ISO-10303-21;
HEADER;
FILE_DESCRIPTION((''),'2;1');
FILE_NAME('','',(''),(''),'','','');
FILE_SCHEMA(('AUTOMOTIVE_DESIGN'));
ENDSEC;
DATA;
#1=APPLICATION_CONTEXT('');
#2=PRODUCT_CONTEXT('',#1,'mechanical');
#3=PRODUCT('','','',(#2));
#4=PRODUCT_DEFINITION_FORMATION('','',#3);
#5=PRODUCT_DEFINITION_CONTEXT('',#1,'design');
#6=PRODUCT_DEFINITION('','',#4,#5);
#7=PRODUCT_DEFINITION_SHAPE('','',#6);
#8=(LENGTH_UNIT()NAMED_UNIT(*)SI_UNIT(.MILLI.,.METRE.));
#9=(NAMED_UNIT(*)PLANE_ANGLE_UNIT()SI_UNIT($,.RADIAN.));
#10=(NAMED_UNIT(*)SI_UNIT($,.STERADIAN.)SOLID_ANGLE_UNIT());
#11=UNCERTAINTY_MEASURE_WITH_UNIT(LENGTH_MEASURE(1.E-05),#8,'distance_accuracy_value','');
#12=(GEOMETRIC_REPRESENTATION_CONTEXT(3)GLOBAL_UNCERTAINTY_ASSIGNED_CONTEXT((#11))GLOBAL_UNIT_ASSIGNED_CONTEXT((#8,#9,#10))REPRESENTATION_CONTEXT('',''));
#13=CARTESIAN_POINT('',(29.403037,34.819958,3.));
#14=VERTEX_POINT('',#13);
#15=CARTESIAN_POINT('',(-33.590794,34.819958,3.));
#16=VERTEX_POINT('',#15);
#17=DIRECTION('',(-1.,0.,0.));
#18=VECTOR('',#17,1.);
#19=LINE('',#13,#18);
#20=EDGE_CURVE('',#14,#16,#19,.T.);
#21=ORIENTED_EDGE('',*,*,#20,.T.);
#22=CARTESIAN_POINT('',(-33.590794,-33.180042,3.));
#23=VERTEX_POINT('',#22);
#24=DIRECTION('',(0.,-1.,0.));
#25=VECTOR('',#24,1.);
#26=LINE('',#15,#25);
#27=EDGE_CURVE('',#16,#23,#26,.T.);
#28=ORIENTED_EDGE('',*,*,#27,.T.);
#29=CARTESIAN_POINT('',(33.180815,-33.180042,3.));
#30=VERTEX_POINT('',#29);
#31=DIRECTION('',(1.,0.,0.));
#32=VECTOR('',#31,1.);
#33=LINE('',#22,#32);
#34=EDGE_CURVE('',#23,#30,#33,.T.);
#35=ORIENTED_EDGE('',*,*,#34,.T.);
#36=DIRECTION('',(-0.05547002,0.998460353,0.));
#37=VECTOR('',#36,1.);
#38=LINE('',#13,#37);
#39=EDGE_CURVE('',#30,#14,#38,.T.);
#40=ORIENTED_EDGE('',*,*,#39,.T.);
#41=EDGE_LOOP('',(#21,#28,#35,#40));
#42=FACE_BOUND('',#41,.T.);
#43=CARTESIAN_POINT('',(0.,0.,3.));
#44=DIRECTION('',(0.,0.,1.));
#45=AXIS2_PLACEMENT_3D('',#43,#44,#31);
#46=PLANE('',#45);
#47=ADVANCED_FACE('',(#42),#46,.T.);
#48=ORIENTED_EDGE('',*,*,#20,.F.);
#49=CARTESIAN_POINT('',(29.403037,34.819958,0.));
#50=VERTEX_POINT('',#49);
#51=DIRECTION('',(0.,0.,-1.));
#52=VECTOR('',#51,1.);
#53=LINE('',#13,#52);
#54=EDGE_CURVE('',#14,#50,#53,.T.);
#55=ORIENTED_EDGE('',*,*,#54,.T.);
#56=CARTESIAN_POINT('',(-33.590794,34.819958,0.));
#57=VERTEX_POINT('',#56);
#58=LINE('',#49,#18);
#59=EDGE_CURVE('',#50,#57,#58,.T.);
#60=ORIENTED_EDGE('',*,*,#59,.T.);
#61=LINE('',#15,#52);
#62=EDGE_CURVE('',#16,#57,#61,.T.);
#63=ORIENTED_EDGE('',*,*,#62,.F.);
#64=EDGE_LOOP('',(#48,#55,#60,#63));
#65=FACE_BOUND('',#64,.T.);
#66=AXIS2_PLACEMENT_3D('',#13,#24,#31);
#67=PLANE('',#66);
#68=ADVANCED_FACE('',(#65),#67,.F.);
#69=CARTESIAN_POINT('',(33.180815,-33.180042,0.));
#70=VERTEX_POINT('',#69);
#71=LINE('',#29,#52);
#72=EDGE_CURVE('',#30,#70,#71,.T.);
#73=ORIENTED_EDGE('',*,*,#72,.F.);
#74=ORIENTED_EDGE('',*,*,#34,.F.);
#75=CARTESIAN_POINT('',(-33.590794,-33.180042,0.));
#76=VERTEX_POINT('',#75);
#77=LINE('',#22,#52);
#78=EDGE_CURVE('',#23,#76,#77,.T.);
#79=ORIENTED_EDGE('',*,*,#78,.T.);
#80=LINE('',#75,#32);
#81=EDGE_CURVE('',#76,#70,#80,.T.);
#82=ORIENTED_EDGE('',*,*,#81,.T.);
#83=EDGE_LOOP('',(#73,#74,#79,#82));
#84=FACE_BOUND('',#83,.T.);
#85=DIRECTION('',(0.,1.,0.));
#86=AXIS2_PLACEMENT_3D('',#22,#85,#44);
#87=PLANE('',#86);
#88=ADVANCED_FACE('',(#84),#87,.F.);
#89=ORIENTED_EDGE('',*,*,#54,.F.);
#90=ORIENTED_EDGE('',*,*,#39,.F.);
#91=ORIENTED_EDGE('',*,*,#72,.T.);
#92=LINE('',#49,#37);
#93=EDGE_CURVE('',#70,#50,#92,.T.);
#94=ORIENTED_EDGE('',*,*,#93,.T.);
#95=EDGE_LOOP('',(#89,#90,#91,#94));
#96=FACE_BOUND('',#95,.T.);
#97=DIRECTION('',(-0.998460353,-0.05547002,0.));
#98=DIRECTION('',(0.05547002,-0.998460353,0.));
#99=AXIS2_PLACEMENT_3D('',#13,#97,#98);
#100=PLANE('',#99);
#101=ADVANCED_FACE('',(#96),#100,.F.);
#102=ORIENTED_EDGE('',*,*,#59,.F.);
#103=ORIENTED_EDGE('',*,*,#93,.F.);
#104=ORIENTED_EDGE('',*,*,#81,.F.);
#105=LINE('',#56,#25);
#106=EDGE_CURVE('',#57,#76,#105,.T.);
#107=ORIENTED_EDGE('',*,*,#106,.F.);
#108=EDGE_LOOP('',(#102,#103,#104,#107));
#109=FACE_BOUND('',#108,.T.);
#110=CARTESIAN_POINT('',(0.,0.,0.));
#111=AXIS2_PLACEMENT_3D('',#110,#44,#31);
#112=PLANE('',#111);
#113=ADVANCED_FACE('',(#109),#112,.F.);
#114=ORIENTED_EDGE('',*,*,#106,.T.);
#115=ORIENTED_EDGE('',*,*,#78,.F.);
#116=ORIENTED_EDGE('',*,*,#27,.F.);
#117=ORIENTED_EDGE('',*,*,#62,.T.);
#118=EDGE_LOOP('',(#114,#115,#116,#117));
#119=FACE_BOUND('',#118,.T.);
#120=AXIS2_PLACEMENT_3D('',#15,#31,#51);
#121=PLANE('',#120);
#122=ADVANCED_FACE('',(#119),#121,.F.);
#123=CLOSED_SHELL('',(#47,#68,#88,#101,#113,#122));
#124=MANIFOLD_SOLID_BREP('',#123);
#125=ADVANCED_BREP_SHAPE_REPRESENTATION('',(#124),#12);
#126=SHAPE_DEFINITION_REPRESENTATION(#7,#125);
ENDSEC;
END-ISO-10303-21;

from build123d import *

# Parameters (mm, degrees)
BOSS_EXTRUDE1_DEPTH = 3


with BuildPart() as part:
    # Sketch1 → Boss-Extrude1 (new body)
    with BuildSketch(Plane.XY):
        Polygon((-33.590794433, -33.180041654), (33.18081526, -33.180041654), (29.403037483, 34.819958346), (-33.590794433, 34.819958346), align=None)
    extrude(amount=BOSS_EXTRUDE1_DEPTH)


solid = part.part
